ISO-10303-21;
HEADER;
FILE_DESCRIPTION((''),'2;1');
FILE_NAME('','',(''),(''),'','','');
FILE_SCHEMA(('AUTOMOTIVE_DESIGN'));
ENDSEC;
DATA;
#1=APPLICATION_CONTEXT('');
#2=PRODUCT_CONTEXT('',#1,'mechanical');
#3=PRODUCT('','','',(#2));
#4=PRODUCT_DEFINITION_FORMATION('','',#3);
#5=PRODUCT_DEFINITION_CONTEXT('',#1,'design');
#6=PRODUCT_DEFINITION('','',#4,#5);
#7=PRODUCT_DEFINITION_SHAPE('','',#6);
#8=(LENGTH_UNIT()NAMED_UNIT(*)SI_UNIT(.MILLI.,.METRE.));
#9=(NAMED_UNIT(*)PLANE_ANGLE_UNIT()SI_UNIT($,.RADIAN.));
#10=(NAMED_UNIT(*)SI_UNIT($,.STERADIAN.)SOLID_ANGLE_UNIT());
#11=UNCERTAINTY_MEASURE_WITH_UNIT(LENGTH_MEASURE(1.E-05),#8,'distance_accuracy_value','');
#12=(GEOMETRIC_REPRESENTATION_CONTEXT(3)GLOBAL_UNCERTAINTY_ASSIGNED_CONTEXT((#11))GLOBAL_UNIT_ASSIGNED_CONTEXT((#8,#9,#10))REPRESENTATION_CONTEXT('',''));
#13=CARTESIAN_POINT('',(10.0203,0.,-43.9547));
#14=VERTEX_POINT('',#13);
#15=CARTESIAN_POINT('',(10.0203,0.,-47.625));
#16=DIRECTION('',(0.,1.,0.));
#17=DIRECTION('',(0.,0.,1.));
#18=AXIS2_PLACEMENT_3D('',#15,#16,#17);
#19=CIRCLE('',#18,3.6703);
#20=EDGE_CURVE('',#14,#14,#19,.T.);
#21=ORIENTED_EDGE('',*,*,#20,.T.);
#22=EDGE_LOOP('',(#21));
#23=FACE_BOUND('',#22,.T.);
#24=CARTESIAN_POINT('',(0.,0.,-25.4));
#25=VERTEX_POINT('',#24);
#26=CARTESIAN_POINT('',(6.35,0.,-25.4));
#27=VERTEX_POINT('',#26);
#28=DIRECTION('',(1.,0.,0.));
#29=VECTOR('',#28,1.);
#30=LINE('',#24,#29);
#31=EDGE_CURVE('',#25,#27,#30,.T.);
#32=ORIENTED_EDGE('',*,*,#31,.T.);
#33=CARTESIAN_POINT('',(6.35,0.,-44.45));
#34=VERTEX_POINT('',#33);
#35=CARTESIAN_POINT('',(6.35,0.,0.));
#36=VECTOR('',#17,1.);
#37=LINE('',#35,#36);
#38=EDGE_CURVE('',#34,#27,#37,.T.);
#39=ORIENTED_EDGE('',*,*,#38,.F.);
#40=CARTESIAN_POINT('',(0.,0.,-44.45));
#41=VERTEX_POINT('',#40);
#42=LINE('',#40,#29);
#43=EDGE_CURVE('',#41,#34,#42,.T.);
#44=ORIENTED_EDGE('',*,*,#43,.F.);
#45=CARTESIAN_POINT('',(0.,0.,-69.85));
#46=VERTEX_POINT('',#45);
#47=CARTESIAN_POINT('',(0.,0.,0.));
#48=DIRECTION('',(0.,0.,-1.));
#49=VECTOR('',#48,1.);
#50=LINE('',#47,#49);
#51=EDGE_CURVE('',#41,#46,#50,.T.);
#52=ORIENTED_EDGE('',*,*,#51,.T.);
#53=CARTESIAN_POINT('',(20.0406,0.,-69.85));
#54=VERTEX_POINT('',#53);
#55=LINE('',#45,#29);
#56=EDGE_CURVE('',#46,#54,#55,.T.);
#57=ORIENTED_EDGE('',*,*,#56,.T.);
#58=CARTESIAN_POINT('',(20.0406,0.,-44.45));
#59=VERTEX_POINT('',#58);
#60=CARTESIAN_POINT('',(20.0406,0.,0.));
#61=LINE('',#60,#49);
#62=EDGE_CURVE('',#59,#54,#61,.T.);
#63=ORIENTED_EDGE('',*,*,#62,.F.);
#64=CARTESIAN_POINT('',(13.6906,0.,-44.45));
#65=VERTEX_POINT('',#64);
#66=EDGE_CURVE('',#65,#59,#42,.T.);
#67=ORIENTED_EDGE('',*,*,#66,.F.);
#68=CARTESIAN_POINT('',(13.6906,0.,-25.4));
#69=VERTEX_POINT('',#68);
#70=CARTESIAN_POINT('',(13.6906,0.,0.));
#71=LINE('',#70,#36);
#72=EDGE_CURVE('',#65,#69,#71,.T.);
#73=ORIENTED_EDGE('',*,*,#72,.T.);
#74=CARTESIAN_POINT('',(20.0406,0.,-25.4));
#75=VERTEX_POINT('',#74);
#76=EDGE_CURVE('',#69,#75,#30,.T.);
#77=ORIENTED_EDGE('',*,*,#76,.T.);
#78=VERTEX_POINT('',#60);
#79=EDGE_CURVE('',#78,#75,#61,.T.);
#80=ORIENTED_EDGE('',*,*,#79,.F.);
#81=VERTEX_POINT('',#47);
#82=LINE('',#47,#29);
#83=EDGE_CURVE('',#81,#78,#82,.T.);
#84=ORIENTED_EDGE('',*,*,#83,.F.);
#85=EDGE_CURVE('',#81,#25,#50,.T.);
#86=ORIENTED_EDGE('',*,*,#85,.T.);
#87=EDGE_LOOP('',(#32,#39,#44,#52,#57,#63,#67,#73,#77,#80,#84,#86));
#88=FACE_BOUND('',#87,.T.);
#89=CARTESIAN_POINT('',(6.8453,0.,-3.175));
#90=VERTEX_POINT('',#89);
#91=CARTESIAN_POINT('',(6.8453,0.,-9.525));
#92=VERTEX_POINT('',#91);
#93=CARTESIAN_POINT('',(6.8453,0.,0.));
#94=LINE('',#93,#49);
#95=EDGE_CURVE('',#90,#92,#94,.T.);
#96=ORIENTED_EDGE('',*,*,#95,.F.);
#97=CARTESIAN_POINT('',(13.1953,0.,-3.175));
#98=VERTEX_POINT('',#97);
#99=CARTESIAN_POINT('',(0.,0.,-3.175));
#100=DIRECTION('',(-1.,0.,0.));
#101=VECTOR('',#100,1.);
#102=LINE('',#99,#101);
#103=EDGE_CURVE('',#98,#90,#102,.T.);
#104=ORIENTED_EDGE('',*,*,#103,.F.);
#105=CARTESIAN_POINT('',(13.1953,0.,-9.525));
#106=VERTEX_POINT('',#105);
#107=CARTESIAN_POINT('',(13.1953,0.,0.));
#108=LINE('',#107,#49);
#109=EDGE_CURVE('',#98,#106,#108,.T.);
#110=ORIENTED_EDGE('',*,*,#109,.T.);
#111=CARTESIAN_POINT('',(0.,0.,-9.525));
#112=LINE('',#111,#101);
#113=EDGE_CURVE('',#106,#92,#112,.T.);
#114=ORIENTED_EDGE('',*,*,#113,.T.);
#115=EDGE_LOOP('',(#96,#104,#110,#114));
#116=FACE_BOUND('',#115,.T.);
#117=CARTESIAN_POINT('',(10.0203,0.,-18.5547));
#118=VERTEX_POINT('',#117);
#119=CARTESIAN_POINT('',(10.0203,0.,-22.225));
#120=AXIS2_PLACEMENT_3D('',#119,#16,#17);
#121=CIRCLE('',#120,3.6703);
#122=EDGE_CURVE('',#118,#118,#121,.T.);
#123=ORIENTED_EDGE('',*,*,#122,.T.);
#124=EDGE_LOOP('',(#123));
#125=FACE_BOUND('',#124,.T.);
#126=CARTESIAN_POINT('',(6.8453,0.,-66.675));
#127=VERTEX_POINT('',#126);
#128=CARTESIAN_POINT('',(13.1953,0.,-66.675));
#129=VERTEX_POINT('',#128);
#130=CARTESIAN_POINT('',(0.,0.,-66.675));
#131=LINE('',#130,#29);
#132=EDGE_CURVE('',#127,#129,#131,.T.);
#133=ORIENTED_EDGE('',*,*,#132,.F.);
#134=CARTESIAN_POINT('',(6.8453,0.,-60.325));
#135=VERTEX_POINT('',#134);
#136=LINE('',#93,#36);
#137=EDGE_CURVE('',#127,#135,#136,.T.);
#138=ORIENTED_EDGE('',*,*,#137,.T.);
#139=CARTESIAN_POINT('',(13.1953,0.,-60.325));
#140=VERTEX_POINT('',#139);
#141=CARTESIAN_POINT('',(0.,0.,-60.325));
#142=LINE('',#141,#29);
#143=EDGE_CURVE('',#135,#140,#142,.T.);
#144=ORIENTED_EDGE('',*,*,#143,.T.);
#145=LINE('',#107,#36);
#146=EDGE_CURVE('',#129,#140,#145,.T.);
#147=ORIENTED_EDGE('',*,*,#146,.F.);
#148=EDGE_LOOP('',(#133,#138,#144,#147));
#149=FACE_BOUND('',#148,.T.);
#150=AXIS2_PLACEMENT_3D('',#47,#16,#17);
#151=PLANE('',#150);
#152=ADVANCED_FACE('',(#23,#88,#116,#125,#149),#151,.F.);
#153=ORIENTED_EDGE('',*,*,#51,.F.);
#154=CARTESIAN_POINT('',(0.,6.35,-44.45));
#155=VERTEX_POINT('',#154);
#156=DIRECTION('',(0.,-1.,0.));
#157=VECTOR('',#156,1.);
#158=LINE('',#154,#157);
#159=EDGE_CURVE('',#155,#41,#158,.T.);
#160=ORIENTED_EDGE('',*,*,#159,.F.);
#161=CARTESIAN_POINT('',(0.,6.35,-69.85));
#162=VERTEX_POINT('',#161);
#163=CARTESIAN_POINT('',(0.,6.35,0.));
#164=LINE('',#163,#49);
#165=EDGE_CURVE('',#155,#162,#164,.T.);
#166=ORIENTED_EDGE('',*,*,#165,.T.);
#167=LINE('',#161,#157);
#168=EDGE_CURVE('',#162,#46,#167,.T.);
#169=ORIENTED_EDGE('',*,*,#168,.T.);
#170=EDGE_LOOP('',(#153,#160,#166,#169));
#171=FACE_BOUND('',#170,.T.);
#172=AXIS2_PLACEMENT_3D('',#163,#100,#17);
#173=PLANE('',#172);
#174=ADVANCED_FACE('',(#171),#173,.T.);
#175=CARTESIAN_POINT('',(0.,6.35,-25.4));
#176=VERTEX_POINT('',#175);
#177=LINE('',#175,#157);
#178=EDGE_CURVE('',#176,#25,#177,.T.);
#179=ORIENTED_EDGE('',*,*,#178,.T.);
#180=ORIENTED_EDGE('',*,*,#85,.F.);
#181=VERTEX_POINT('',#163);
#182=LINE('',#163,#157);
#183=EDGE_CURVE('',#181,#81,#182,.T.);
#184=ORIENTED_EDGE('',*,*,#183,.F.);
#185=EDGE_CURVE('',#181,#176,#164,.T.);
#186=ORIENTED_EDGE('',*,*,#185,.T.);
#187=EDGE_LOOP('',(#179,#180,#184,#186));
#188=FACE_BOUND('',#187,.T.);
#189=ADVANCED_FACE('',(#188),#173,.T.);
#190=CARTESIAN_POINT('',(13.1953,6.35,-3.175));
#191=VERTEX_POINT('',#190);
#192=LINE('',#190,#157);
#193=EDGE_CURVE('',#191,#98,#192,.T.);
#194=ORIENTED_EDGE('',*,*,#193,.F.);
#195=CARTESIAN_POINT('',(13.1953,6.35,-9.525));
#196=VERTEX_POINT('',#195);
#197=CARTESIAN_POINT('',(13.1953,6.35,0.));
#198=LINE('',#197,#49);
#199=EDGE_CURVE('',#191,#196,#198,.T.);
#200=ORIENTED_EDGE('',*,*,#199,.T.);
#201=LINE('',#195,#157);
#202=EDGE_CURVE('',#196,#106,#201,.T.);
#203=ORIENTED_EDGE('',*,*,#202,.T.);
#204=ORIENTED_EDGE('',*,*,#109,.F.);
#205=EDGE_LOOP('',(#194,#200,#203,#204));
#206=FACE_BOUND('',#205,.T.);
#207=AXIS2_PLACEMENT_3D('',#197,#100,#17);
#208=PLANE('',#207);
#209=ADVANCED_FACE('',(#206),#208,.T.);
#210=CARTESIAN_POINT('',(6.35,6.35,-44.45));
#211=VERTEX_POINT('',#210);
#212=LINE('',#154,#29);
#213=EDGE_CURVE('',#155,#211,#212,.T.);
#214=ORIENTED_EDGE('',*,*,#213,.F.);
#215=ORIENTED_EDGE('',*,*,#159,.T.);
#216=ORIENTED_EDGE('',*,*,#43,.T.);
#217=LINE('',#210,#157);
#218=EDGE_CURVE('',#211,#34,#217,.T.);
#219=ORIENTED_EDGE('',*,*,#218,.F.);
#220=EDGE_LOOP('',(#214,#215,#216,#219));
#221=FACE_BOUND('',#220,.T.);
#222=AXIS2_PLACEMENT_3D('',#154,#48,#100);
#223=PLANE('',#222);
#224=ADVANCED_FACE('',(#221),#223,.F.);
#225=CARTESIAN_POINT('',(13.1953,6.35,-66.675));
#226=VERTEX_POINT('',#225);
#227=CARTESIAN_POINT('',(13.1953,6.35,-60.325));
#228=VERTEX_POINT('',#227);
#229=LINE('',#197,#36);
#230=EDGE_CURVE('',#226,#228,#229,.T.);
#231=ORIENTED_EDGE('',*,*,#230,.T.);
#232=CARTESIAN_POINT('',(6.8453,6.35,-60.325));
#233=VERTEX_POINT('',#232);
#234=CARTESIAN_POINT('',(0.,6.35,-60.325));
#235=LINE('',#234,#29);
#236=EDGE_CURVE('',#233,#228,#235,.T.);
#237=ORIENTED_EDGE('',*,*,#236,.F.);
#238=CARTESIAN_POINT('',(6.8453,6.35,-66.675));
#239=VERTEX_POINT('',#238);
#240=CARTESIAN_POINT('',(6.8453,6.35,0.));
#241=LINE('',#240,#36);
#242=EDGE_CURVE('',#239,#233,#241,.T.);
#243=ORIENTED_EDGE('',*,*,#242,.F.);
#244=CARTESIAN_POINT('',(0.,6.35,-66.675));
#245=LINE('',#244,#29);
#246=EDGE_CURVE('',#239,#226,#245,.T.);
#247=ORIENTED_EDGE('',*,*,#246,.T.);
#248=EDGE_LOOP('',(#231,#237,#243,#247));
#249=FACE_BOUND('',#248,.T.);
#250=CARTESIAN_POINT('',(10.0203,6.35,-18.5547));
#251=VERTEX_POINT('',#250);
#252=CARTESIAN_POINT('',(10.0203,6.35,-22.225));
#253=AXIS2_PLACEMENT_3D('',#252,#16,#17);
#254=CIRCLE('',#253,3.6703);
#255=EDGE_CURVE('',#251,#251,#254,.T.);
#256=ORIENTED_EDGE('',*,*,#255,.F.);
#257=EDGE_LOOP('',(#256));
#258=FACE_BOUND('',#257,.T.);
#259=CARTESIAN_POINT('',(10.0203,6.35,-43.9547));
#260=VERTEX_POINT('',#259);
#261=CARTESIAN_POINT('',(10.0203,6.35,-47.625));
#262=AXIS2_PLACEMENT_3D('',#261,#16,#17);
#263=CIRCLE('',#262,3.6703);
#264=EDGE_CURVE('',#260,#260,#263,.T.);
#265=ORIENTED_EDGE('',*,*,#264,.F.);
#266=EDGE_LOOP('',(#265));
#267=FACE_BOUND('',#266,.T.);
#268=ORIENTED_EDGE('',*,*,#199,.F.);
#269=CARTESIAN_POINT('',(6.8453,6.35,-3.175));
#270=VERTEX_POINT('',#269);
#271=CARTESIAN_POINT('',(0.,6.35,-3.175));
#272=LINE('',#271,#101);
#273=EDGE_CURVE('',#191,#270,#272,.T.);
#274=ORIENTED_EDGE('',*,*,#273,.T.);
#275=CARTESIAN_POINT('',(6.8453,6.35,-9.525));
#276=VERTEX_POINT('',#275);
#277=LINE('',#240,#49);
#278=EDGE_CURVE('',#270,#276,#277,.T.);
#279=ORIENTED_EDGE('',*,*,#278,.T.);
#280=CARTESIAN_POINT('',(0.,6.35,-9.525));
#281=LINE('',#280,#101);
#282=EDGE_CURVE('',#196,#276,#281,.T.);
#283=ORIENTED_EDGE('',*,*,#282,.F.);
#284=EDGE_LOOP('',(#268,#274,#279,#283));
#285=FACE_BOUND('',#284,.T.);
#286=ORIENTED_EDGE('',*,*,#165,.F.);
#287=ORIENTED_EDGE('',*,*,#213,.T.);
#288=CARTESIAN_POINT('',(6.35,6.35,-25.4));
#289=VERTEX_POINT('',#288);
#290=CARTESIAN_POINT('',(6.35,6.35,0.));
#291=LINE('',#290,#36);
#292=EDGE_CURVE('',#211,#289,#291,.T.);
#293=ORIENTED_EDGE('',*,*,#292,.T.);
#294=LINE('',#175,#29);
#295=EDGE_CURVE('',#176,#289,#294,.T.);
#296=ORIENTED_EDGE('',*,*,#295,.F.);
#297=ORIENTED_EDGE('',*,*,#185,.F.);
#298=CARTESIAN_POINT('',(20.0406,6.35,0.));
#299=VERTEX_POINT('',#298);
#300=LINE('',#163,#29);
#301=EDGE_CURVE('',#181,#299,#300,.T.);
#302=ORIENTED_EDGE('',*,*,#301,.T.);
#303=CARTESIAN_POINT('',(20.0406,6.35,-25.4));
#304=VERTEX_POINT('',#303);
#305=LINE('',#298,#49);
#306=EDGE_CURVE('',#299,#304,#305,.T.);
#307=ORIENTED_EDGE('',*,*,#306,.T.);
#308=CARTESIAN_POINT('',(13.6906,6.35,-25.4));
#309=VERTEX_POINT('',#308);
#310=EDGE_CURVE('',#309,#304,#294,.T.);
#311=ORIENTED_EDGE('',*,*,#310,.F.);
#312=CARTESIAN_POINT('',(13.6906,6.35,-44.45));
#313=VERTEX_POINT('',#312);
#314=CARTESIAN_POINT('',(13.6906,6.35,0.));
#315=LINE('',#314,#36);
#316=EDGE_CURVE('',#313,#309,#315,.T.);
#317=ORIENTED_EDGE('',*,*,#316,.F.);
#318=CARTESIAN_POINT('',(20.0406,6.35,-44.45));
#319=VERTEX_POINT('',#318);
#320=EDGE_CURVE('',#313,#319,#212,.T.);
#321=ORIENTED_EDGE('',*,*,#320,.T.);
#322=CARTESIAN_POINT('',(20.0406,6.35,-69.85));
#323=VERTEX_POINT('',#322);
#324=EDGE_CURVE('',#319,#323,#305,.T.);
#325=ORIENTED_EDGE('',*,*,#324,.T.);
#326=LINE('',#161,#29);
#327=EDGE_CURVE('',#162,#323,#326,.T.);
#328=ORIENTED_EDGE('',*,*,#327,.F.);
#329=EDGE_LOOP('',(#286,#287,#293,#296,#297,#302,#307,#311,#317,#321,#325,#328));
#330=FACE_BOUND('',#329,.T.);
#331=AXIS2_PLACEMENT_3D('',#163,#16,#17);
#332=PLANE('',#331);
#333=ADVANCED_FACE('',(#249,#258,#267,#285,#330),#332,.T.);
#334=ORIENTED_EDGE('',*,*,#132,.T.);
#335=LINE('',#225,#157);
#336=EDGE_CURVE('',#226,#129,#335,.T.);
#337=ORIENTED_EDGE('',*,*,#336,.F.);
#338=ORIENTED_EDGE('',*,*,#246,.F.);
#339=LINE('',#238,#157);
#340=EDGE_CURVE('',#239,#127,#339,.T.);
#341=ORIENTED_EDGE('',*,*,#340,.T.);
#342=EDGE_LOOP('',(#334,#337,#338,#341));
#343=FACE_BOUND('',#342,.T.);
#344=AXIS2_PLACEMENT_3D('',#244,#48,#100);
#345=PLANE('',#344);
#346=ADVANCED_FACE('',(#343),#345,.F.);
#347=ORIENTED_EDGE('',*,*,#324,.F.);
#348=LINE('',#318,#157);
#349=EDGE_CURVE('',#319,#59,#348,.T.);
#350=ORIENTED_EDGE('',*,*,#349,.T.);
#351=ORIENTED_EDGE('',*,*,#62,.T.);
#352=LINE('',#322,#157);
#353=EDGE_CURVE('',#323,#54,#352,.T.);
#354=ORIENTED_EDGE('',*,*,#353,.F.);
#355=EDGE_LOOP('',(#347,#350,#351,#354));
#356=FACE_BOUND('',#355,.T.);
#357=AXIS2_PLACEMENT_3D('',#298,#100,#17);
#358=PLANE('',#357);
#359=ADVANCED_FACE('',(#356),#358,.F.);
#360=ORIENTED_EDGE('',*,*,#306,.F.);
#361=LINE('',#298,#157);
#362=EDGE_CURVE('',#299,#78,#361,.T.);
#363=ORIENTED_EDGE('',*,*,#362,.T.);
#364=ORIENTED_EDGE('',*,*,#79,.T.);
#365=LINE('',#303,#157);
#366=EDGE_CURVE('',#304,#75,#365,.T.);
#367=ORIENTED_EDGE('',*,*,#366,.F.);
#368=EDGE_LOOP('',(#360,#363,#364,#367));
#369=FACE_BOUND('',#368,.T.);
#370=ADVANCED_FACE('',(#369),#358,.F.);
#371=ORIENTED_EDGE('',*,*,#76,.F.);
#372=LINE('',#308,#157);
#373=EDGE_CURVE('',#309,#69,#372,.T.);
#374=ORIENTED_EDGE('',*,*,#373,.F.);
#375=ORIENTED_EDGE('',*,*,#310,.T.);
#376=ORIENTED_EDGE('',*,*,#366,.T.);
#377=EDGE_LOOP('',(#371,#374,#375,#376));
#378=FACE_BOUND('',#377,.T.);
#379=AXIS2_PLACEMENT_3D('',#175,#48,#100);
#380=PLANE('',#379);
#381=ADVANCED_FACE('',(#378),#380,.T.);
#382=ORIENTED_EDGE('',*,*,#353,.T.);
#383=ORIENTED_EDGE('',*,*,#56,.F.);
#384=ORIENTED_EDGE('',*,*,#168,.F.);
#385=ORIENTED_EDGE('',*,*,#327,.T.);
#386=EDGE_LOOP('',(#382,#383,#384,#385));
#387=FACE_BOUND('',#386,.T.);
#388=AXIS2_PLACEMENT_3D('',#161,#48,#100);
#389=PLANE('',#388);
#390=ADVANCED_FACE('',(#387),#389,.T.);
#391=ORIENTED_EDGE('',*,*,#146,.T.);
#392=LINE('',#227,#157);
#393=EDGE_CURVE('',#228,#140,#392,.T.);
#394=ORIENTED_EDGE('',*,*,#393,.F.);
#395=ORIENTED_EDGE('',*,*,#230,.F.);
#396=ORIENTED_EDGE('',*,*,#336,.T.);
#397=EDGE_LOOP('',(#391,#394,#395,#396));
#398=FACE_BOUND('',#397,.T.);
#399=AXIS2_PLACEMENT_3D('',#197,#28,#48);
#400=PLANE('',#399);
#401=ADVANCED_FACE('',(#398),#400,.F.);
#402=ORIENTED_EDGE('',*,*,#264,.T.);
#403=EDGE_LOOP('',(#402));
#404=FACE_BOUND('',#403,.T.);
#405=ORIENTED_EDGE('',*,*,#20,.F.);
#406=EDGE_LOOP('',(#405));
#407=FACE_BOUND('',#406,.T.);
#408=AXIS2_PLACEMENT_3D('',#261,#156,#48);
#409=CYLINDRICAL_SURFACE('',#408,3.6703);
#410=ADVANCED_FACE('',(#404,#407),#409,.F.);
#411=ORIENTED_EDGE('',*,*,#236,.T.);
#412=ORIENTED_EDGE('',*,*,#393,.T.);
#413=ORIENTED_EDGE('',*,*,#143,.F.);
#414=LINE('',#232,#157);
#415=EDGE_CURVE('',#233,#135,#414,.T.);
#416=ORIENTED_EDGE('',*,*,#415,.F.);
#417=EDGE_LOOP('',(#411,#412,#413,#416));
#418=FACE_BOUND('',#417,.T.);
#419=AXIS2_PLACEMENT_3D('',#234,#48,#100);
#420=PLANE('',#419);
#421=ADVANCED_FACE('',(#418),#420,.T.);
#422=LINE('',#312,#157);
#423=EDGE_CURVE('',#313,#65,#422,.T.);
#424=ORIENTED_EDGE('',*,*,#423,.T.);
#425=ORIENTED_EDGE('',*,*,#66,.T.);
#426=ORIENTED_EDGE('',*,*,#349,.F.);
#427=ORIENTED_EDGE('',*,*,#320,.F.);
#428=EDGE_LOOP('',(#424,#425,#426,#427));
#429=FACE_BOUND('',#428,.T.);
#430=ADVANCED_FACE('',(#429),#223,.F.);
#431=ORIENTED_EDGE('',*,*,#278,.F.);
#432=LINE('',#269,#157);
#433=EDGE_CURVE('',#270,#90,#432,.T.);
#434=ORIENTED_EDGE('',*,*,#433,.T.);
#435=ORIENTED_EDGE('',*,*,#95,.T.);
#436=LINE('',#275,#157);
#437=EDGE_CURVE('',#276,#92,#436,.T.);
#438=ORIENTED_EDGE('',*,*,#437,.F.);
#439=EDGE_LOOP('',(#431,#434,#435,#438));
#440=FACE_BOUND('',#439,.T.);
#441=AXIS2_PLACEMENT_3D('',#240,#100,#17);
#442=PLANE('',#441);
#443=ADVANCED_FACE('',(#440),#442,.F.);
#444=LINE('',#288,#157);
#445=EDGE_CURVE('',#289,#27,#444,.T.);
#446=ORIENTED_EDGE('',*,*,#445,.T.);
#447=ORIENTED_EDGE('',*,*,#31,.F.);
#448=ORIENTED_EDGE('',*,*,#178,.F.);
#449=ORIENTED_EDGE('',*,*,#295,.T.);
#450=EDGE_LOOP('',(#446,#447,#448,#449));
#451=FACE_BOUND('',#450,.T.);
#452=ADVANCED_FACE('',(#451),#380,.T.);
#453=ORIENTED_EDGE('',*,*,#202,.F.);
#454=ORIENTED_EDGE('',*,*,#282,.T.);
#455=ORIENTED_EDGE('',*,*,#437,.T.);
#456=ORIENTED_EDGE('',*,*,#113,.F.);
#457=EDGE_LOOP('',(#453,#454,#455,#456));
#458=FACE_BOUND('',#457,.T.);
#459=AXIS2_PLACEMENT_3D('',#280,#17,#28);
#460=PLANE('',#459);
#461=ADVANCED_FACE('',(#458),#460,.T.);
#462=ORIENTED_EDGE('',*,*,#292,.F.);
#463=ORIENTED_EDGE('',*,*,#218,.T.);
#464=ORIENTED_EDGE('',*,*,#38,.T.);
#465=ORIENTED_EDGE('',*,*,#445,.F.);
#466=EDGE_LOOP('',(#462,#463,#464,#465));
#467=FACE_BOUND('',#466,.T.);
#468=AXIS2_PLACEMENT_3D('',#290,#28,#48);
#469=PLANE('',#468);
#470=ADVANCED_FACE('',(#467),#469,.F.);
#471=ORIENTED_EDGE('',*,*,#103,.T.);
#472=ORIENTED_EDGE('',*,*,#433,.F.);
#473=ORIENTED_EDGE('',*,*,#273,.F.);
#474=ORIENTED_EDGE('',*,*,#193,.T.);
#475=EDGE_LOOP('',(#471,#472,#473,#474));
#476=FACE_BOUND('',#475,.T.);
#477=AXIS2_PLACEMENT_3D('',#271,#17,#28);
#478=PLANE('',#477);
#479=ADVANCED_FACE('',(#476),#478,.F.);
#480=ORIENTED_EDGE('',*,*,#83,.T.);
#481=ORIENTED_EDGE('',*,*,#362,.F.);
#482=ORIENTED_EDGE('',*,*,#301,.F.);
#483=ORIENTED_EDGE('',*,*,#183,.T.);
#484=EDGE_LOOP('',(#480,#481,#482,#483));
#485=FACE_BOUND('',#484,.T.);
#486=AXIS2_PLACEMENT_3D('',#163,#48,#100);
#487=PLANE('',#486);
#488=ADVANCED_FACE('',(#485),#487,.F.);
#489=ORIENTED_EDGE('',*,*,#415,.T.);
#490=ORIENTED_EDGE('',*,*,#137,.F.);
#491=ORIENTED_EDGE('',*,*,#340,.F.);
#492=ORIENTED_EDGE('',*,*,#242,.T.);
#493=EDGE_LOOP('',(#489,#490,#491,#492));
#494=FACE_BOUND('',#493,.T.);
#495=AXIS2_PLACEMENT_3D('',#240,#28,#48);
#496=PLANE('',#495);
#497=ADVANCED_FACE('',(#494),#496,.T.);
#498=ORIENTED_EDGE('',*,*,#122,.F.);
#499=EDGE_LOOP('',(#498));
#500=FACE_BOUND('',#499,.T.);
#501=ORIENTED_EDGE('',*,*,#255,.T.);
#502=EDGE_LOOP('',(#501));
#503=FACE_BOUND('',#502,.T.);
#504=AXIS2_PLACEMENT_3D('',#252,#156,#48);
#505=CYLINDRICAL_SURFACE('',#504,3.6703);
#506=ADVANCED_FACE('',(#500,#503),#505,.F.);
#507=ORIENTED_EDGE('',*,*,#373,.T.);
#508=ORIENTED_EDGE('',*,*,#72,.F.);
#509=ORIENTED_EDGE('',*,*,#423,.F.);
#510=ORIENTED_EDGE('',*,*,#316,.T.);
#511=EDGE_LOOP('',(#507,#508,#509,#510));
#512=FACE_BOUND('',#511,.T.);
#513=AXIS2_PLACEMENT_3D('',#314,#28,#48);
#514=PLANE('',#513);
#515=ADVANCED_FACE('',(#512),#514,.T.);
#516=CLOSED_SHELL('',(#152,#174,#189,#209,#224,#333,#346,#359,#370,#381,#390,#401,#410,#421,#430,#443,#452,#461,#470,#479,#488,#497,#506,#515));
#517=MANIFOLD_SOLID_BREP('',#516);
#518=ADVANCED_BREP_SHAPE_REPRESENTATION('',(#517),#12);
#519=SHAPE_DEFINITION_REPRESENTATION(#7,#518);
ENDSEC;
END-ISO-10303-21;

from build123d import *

# Parameters (mm, degrees)
SKETCH1_W           = 6.35
SKETCH1_H           = 6.35
SKETCH1_R           = 3.6703
BOSS_EXTRUDE1_DEPTH = 6.35


with BuildPart() as part:
    # Sketch1 → Boss-Extrude1 (new body)
    with BuildSketch(Plane(origin=(0, 0, 0), x_dir=(1, 0, 0), z_dir=(0, 1, 0))):
        Polygon((0, 25.4), (0, 0), (20.0406, 0), (20.0406, 25.4), (13.6906, 25.4), (13.6906, 44.45), (20.0406, 44.45), (20.0406, 69.85), (0, 69.85), (0, 44.45), (6.35, 44.45), (6.35, 25.4), align=None)
        with Locations((10.0203, 6.35)):
            Rectangle(SKETCH1_W, SKETCH1_H, mode=Mode.SUBTRACT)
        with Locations((10.0203, 22.225)):
            Circle(SKETCH1_R, mode=Mode.SUBTRACT)
        with Locations((10.0203, 63.5)):
            Rectangle(SKETCH1_W, SKETCH1_H, mode=Mode.SUBTRACT)
        with Locations((10.0203, 47.625)):
            Circle(SKETCH1_R, mode=Mode.SUBTRACT)
    extrude(amount=BOSS_EXTRUDE1_DEPTH)


solid = part.part
